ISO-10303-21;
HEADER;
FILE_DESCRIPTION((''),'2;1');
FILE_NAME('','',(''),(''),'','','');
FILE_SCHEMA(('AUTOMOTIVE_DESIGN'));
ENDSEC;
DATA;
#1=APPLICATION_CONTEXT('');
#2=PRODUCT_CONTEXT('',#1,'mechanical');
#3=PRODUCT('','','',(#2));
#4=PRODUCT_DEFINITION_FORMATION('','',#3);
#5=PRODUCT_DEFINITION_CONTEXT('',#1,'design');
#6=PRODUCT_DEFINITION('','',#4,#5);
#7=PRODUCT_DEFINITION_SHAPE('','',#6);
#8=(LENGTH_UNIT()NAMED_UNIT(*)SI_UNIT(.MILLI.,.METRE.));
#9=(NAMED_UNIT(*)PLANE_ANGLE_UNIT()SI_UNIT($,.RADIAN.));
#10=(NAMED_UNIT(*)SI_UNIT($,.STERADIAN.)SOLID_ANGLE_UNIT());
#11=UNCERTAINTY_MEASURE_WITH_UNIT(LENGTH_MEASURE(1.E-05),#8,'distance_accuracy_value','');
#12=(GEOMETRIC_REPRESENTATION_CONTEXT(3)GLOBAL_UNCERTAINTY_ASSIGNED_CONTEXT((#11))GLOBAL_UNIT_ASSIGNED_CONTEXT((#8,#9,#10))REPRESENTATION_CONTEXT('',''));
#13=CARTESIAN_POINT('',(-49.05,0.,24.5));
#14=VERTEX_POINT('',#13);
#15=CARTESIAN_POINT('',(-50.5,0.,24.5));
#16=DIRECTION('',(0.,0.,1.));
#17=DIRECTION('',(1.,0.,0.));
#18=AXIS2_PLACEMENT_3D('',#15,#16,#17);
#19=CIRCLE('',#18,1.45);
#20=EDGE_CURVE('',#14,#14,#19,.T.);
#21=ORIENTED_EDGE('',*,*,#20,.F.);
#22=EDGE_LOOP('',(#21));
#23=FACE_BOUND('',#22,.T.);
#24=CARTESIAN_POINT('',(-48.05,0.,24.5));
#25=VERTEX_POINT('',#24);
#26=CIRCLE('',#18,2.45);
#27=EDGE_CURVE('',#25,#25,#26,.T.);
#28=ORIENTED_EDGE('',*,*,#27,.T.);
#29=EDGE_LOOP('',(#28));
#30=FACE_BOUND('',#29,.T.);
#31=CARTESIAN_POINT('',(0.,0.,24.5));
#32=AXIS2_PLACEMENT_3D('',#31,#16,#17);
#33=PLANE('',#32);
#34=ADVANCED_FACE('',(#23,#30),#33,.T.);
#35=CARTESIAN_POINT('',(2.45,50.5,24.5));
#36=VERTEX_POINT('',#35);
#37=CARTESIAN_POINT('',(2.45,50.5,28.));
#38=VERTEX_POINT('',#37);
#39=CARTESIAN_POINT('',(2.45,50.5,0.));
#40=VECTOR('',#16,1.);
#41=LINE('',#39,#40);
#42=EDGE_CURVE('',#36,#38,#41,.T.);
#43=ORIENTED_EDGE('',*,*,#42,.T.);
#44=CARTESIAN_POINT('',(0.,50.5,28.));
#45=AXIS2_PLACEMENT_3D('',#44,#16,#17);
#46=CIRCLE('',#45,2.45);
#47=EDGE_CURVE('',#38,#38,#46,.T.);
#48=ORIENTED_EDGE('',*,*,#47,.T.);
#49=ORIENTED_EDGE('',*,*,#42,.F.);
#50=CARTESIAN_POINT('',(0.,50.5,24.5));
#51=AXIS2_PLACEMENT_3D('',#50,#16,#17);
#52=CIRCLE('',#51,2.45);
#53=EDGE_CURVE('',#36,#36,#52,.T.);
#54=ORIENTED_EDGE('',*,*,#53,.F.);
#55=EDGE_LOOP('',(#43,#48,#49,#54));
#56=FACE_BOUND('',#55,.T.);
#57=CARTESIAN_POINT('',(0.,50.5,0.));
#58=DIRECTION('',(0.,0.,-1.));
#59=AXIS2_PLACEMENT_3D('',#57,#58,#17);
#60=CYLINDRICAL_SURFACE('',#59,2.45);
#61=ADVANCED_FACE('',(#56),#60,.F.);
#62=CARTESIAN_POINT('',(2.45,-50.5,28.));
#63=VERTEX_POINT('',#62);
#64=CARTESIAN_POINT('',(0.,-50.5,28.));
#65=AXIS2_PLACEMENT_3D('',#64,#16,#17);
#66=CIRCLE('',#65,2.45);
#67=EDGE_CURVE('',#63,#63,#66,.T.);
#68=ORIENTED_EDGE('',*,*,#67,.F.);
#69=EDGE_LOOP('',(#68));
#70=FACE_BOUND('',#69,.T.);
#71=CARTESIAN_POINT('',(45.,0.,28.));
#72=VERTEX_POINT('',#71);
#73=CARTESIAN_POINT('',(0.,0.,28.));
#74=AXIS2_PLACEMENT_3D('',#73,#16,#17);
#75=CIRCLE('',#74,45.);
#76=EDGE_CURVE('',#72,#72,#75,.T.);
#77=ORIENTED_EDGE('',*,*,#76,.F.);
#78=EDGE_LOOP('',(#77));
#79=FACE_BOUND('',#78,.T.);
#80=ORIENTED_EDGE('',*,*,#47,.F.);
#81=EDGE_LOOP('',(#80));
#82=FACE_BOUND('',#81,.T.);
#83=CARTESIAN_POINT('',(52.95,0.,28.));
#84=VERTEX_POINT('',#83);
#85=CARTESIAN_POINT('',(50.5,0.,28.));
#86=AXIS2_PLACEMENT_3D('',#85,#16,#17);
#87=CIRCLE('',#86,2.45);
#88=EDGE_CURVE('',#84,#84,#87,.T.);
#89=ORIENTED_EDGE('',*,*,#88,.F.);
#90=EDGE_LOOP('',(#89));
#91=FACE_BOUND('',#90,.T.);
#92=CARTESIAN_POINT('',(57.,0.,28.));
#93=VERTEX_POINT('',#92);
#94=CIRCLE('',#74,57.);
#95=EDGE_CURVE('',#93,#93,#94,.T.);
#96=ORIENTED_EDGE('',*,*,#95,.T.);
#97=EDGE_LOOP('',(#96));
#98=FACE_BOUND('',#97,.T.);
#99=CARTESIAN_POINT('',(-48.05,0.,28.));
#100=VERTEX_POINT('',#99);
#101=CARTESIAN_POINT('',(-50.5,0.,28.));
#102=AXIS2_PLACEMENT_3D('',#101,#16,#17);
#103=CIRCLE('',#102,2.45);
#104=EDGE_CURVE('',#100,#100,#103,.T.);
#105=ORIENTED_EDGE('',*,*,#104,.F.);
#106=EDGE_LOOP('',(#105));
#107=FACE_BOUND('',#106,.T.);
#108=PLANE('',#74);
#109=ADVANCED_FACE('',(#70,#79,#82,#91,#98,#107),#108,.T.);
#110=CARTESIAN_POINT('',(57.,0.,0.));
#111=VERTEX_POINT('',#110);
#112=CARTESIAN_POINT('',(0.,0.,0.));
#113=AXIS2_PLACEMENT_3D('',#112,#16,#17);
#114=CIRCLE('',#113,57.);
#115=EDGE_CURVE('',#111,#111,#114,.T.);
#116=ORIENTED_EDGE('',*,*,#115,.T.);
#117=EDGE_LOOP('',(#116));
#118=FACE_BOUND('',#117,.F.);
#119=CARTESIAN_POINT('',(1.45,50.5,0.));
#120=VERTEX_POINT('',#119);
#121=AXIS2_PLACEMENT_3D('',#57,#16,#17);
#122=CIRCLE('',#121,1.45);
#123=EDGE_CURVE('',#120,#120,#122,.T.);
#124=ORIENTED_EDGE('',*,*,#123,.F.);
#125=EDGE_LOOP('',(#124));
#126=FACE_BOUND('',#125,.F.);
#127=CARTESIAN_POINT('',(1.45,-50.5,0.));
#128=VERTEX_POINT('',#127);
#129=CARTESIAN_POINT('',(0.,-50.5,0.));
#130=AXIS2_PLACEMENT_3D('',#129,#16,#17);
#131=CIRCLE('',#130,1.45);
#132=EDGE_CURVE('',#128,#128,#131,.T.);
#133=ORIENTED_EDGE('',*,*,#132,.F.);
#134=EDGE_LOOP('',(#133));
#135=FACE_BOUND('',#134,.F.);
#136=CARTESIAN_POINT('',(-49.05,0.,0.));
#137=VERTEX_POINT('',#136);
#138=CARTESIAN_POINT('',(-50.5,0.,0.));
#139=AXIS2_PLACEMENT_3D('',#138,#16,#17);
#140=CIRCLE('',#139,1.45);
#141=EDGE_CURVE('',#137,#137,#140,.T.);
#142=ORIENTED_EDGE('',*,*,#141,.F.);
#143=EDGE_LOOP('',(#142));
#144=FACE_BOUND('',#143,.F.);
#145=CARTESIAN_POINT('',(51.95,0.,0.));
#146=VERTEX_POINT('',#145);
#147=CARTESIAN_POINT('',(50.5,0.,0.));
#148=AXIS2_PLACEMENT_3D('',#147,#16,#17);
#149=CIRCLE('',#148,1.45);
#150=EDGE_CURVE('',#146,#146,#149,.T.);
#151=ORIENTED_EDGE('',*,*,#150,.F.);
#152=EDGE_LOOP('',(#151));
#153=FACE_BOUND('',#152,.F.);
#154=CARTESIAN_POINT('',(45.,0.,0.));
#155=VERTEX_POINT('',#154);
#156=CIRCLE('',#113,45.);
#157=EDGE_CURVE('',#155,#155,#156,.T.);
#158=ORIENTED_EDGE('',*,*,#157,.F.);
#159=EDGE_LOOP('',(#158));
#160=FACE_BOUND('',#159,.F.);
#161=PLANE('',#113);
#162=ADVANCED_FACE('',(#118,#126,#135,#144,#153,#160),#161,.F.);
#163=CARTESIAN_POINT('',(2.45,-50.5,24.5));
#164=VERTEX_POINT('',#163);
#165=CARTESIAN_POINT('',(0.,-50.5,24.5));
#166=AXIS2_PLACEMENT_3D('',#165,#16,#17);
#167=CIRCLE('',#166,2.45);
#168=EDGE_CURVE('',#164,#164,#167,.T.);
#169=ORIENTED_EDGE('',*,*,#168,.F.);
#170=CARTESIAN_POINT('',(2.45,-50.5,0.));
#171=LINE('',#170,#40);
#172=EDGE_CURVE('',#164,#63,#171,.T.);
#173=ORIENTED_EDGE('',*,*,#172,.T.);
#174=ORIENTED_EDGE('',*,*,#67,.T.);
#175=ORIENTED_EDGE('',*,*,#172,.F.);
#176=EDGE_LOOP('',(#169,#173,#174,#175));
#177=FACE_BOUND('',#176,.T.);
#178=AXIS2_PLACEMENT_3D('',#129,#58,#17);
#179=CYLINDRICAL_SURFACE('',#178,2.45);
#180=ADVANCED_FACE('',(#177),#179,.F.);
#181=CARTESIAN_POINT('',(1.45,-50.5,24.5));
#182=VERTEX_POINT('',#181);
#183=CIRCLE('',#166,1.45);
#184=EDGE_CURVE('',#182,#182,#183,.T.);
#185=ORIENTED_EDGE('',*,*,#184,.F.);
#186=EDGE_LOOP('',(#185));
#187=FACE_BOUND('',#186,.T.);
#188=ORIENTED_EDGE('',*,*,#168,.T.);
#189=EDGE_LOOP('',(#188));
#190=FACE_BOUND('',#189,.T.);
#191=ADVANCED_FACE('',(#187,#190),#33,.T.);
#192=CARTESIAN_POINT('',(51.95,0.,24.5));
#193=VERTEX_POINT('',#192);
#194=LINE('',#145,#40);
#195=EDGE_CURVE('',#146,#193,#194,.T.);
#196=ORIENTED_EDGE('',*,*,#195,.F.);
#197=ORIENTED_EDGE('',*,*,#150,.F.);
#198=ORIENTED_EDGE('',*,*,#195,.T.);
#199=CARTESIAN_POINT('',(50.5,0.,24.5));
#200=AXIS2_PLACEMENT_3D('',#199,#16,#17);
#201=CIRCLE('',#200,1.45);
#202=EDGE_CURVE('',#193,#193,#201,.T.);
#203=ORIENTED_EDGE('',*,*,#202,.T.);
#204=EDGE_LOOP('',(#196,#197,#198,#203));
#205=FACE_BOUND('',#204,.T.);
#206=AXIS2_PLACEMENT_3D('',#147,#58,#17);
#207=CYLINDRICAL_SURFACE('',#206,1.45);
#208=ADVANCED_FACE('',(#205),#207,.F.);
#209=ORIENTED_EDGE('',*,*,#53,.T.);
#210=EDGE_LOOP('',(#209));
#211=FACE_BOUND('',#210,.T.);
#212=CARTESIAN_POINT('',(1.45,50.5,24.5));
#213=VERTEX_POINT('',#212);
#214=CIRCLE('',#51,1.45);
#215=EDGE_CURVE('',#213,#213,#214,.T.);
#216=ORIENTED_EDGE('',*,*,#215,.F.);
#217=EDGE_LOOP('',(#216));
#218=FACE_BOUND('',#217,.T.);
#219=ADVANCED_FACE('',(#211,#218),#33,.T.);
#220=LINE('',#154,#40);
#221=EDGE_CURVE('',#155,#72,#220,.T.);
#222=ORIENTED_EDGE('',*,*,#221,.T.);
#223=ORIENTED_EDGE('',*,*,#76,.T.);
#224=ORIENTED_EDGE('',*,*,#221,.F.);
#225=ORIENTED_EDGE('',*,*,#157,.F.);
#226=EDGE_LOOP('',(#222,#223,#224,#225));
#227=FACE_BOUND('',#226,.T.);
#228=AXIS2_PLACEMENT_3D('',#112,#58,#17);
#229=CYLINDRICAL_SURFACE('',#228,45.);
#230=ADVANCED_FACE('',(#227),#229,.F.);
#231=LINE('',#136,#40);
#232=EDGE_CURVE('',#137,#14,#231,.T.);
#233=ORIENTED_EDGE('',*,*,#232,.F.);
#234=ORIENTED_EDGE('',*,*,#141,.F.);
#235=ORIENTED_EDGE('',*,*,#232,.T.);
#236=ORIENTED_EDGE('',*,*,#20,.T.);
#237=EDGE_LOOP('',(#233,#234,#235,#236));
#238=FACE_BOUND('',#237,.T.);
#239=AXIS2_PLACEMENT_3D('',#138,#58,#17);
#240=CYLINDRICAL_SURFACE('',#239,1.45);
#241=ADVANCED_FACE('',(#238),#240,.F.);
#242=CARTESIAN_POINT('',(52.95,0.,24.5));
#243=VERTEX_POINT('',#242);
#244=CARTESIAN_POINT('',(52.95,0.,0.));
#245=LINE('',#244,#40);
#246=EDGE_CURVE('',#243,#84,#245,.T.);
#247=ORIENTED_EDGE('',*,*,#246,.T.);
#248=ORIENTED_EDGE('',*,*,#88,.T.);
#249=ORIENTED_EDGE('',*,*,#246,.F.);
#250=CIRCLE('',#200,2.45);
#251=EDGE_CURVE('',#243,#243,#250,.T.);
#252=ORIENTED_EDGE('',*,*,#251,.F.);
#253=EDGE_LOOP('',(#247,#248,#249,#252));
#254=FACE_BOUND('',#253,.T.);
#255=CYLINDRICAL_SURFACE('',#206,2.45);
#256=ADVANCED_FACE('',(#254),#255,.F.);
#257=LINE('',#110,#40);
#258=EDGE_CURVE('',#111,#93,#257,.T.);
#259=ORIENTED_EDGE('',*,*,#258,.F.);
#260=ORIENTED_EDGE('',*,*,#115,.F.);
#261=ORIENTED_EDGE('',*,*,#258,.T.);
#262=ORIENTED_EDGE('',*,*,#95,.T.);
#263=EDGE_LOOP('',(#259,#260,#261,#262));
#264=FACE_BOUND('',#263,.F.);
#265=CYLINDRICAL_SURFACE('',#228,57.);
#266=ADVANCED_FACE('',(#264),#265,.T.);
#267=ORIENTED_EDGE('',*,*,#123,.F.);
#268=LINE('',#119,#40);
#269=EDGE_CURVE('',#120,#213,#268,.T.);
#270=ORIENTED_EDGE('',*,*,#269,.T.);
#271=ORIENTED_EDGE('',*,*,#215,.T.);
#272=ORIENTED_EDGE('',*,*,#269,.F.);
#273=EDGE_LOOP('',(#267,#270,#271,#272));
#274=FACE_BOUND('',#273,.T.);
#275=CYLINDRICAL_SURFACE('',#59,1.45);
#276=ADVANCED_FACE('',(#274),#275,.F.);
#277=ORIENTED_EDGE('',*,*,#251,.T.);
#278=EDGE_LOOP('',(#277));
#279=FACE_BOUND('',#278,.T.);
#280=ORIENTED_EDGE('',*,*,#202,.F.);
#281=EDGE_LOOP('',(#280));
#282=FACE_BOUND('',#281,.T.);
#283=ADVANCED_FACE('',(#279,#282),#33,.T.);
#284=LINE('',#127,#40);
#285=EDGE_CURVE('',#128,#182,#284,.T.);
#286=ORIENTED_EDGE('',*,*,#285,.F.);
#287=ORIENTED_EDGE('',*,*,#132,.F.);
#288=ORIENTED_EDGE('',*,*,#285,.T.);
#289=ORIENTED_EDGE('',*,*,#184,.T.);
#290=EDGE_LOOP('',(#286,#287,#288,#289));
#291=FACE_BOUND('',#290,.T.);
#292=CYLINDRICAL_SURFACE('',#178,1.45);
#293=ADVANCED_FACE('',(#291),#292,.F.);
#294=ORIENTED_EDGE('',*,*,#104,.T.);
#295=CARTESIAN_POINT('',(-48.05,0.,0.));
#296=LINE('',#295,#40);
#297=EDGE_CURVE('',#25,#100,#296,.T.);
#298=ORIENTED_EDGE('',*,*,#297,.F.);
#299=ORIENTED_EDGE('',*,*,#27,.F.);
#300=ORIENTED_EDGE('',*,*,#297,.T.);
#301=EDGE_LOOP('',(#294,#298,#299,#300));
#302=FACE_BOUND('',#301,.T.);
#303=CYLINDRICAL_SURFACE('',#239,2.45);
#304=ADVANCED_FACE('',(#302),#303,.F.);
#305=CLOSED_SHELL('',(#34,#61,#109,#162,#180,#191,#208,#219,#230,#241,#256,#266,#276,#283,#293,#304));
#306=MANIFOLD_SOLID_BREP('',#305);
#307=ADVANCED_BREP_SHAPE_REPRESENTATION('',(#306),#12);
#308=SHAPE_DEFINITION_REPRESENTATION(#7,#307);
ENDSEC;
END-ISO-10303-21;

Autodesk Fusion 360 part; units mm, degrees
sketch "Skizze1" plane through (0, 0, 0) normal (0, 0, 1) x (1, 0, 0)
  circle A0 centre (0, 0) radius 45
  circle A1 centre (0, 0) radius 57
  line L0 (-93.8803, 0) -> (101.1197, 0) construction
  line L1 (0, 80) -> (0, -75) construction
  circle A2 centre (50.5, 0) radius 1.45
  circle A3 centre (0, 50.5) radius 1.45
  line L2 (-57, 57) -> (57, 57) construction
  line L3 (57, 57) -> (57, -57) construction
  line L4 (57, -57) -> (-57, -57) construction
  line L5 (-57, -57) -> (-57, 57) construction
  circle A4 centre (50.5, 0) radius 2.45
  circle A5 centre (0, 50.5) radius 2.45
  circle A6 centre (-50.5, 0) radius 2.45
  circle A7 centre (-50.5, 0) radius 1.45
  circle A8 centre (0, -50.5) radius 2.45
  circle A9 centre (0, -50.5) radius 1.45
  dimension "d1" = 90
  dimension "d2" = 114
  dimension "d3" = 2.9
  dimension "d4" = 2.9
  dimension "d5" = 6.5
  dimension "d6" = 6.5
  dimension "d7" = 4.9
  dimension "d8" = 4.9
extrude "Extrusion1" add sketch "Skizze1" along normal blind 28 contours A1
extrude "Extrusion2" add sketch "Skizze1" along normal blind 24.5 contours A4 | A5 | A6 | A8
equation "d4 = d3"
equation "d6 = d5"
equation "d8 = d7"
